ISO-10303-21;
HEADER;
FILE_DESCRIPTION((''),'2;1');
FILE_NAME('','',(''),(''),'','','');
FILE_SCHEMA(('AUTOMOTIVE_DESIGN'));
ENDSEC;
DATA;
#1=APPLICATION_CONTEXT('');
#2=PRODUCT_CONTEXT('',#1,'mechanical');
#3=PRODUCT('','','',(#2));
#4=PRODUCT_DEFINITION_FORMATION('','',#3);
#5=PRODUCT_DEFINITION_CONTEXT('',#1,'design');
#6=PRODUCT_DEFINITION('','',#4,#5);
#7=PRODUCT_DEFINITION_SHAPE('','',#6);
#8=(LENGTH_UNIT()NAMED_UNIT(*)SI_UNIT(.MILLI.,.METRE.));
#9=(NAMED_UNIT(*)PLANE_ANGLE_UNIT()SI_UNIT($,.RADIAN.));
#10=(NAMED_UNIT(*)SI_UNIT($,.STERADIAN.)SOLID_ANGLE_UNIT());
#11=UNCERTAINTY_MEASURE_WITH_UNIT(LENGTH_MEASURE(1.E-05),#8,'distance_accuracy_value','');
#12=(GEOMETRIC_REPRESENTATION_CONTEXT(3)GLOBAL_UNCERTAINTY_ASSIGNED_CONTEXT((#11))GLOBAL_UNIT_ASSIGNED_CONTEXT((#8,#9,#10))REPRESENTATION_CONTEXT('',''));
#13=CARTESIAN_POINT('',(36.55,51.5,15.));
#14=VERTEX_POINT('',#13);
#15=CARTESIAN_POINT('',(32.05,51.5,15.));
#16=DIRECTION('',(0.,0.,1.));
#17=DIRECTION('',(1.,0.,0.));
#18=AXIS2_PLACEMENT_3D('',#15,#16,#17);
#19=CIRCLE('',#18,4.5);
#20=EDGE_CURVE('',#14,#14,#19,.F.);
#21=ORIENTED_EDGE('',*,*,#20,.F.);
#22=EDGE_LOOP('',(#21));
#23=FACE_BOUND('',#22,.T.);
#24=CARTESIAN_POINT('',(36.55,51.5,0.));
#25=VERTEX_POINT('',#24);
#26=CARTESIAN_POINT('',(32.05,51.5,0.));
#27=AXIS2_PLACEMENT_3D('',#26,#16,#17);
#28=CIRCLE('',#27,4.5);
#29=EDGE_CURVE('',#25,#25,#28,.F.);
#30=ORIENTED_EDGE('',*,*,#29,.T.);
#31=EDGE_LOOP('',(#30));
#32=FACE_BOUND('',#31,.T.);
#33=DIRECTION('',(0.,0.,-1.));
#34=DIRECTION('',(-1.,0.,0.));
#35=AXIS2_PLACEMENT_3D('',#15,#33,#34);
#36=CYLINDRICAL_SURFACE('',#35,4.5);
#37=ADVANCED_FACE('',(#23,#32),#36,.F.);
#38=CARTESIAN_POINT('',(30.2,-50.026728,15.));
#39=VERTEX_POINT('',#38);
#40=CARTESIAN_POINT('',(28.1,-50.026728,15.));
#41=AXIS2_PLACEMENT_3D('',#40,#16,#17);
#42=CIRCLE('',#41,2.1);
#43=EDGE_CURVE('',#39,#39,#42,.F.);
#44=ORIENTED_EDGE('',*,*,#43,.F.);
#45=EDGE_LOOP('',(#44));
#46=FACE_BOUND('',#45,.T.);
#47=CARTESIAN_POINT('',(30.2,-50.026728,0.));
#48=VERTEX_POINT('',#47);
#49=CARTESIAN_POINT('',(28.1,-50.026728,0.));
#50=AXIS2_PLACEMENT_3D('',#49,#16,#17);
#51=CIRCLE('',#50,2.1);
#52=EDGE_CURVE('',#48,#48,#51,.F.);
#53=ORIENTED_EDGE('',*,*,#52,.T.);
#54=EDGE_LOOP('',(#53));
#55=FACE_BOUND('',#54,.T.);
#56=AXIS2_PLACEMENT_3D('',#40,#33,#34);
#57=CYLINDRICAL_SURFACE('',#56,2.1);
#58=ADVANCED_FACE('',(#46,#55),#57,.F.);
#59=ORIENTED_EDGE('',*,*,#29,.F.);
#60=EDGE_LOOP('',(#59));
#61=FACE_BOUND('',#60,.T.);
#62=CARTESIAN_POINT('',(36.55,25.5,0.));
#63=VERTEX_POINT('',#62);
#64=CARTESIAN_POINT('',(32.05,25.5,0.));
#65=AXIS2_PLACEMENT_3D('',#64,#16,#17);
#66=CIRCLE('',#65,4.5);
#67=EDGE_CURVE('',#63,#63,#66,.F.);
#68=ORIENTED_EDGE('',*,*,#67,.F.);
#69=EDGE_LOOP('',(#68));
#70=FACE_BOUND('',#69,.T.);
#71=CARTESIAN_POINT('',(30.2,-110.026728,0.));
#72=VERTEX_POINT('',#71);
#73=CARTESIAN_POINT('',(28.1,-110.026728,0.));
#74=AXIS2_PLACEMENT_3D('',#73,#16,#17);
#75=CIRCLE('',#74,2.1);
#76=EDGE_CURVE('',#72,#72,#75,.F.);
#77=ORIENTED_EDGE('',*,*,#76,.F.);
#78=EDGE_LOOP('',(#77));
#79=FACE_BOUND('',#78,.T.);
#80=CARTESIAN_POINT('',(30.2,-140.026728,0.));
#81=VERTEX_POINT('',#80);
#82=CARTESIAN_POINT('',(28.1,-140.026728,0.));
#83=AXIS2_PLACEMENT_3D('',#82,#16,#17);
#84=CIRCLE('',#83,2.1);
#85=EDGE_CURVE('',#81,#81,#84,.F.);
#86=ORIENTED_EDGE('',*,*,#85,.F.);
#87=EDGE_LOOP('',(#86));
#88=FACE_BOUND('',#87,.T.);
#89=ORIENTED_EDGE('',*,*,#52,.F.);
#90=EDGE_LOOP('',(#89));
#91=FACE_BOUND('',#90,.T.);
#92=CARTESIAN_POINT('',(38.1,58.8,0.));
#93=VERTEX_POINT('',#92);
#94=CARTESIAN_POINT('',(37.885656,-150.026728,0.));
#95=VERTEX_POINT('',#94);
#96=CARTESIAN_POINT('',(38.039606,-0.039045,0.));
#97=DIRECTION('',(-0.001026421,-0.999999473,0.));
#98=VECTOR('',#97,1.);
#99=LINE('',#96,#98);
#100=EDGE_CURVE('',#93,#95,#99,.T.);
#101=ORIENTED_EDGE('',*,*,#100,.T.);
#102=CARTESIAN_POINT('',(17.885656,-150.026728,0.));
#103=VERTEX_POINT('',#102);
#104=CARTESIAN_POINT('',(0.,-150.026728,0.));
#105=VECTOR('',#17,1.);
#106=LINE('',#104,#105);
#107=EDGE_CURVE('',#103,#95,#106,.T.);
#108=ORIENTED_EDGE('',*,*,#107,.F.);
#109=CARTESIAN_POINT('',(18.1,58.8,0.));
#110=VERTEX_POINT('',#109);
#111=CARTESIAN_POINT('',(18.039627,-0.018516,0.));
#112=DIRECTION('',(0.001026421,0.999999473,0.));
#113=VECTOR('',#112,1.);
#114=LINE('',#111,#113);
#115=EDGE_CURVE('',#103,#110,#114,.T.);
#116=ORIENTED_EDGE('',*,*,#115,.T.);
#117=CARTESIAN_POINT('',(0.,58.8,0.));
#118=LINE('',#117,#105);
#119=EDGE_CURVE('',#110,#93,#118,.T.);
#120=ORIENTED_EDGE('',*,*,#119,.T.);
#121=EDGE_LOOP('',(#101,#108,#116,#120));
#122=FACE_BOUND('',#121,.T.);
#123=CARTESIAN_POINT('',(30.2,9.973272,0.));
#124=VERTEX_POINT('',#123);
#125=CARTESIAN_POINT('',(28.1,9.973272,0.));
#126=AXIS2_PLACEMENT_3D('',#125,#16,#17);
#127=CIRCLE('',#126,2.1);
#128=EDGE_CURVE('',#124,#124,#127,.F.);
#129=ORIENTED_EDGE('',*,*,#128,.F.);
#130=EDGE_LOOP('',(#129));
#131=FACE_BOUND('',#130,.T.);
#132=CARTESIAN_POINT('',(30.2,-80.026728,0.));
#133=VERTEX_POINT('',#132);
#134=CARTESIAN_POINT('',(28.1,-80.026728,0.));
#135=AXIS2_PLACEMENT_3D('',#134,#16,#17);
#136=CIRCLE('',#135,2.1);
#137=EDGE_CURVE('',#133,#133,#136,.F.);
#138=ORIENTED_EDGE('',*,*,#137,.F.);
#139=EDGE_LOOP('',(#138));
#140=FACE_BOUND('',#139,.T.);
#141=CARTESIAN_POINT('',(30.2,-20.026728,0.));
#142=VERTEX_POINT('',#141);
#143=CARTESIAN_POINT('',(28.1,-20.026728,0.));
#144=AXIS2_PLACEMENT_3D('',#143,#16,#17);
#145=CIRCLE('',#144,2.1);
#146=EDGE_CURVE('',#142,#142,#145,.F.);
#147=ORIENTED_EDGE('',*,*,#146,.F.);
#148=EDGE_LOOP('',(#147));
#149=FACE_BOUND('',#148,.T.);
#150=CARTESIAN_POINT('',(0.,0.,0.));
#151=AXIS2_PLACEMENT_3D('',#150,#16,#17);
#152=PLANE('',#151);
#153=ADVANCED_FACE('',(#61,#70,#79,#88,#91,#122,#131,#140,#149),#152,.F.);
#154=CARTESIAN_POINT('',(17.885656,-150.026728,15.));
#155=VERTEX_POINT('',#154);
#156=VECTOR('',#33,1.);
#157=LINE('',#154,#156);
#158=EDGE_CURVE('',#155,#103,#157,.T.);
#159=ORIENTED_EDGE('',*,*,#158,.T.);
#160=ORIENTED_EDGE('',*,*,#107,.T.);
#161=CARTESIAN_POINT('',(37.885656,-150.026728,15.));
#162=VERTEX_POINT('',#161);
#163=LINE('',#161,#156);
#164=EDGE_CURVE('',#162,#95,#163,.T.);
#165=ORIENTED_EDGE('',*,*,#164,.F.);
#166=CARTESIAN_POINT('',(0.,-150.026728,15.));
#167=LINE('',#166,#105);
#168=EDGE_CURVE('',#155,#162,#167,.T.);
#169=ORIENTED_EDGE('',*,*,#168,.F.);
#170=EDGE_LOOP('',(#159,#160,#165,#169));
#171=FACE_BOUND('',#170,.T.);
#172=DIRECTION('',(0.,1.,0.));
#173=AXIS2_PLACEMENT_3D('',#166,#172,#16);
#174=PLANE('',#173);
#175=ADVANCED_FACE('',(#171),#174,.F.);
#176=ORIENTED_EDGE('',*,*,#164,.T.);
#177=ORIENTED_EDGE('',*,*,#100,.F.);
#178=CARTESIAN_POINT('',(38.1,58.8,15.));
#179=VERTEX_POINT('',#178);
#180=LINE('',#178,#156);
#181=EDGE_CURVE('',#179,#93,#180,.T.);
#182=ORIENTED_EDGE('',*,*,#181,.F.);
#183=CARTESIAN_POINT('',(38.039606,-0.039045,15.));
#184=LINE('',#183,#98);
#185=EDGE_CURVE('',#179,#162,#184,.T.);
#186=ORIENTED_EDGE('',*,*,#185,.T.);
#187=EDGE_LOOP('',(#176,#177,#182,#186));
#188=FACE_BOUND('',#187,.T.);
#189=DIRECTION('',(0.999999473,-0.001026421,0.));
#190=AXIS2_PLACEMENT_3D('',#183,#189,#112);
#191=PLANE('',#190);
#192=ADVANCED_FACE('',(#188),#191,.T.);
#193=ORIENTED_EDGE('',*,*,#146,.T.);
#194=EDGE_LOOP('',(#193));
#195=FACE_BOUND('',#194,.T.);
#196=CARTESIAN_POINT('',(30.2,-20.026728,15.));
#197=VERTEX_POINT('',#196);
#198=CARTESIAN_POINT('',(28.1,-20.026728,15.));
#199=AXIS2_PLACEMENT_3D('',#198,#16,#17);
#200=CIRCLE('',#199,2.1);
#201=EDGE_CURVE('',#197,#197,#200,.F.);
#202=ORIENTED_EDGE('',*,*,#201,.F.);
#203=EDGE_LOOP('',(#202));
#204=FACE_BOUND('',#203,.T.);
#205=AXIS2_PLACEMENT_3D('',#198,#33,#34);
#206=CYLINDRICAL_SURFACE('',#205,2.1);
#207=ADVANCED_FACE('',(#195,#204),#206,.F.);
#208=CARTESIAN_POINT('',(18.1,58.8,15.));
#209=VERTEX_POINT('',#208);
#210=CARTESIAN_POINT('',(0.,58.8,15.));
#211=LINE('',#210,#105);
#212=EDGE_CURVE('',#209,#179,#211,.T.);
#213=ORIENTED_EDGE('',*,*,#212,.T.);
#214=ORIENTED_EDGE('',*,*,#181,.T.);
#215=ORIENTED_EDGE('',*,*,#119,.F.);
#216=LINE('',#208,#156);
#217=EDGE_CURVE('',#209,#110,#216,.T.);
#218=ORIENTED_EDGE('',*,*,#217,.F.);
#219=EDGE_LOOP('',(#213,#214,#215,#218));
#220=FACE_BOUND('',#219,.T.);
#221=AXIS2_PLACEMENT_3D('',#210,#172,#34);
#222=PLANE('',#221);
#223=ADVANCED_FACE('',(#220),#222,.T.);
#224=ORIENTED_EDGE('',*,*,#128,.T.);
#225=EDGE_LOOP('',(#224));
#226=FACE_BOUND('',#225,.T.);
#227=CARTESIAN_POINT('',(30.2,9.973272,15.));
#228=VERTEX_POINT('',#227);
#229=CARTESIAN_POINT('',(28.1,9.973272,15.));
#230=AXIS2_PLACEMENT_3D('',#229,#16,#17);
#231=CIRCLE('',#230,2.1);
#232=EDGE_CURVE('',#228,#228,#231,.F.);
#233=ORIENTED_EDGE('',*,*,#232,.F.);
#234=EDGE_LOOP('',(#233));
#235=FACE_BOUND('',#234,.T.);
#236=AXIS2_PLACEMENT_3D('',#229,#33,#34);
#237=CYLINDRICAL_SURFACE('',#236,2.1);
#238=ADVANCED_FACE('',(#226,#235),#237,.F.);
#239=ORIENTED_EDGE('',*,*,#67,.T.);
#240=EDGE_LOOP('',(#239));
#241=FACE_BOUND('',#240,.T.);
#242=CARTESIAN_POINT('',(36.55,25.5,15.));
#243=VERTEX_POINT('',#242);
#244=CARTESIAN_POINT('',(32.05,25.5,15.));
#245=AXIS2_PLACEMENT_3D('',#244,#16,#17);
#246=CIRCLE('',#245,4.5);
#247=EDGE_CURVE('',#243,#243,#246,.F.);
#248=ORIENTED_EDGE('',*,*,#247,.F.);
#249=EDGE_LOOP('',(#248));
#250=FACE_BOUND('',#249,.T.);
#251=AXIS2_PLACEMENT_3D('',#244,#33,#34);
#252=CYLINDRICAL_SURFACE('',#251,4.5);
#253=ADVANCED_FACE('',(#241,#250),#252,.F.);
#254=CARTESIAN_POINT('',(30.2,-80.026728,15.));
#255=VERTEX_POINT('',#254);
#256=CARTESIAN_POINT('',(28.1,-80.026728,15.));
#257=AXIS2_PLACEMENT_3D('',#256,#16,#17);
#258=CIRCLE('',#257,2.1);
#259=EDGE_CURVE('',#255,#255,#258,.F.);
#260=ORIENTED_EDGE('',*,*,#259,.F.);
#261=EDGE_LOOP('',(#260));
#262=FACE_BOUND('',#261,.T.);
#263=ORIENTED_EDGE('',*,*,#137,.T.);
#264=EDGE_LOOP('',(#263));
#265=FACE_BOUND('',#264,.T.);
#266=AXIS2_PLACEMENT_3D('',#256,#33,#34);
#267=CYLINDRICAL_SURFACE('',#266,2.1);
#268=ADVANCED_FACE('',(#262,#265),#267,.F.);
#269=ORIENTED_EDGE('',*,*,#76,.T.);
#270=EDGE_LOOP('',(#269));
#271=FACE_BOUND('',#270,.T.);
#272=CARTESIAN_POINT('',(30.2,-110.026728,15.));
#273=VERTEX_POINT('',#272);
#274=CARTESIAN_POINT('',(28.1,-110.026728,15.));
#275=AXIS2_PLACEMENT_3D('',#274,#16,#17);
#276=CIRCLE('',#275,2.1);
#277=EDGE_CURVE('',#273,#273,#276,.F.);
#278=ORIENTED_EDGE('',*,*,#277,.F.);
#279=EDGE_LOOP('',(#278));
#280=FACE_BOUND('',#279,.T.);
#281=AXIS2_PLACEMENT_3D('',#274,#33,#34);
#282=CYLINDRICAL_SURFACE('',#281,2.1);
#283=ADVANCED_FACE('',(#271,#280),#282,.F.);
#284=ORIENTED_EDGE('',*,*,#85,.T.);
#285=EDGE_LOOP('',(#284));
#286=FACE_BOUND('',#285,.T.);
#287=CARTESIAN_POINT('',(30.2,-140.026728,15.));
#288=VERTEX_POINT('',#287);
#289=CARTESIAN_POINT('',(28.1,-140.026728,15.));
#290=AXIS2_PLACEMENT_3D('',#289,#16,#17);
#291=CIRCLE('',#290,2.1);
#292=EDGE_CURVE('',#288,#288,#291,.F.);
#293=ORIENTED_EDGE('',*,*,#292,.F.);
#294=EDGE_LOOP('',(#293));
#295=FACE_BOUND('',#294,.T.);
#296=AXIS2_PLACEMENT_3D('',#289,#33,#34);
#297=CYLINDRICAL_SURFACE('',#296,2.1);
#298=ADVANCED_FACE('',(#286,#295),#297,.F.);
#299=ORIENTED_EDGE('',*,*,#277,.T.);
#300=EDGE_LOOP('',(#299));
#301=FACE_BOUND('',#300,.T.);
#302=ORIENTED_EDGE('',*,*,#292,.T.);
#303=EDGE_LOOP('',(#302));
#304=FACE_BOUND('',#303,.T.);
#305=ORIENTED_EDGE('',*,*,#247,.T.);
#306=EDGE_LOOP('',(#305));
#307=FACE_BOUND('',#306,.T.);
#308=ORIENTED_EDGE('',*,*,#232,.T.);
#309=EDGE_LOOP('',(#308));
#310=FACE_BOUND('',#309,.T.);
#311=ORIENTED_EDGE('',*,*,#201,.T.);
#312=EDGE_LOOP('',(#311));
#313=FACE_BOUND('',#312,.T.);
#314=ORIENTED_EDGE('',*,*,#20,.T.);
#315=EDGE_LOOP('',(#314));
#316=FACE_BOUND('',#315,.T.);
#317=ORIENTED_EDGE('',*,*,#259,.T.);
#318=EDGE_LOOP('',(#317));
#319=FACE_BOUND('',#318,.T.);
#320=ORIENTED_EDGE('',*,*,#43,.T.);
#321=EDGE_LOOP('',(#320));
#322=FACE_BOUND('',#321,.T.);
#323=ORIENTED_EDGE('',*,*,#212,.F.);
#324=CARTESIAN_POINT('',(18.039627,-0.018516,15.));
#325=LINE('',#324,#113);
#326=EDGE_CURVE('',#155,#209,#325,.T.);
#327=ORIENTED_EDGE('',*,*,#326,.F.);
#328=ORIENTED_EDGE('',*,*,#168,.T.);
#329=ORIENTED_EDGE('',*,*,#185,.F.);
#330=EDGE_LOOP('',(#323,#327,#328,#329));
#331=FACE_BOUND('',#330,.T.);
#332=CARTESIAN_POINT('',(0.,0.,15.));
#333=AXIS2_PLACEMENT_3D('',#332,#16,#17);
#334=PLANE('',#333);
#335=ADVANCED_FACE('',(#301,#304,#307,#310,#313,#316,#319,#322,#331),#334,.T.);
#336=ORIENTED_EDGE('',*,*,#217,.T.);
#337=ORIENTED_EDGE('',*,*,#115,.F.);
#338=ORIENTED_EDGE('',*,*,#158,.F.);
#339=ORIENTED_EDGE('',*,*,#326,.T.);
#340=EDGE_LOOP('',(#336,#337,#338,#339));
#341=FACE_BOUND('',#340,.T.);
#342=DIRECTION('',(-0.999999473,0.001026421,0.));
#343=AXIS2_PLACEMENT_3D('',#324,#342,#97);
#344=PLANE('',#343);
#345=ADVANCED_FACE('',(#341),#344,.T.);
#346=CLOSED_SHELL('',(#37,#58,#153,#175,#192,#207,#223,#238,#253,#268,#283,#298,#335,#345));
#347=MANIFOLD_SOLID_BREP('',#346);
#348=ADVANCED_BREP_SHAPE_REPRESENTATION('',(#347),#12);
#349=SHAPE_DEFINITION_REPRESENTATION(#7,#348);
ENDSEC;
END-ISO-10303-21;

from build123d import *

# Parameters (mm, degrees)
SKETCH2_R           = 2.1
SKETCH2_R_2         = 4.5
BOSS_EXTRUDE1_DEPTH = 15


with BuildPart() as part:
    # Sketch2 → Boss-Extrude1 (new body)
    with BuildSketch(Plane.XY):
        Polygon((38.1, 58.8), (34.845457521, 58.8), (33.373016026, 58.8), (28.545258062, 58.8), (27.023826138, 58.8), (24.630195866, 58.8), (18.1, 58.8), (17.8856558, -150.026728087), (37.8856558, -150.026728087), align=None)
        with Locations((28.1, -140.026728087)):
            Circle(SKETCH2_R, mode=Mode.SUBTRACT)
        with Locations((28.1, -110.026728087)):
            Circle(SKETCH2_R, mode=Mode.SUBTRACT)
        with Locations((28.1, -80.026728087)):
            Circle(SKETCH2_R, mode=Mode.SUBTRACT)
        with Locations((28.1, -50.026728087)):
            Circle(SKETCH2_R, mode=Mode.SUBTRACT)
        with Locations((28.1, -20.026728087)):
            Circle(SKETCH2_R, mode=Mode.SUBTRACT)
        with Locations((28.1, 9.973271913)):
            Circle(SKETCH2_R, mode=Mode.SUBTRACT)
        with Locations((32.05, 25.5)):
            Circle(SKETCH2_R_2, mode=Mode.SUBTRACT)
        with Locations((32.05, 51.5)):
            Circle(SKETCH2_R_2, mode=Mode.SUBTRACT)
    extrude(amount=BOSS_EXTRUDE1_DEPTH)


solid = part.part
